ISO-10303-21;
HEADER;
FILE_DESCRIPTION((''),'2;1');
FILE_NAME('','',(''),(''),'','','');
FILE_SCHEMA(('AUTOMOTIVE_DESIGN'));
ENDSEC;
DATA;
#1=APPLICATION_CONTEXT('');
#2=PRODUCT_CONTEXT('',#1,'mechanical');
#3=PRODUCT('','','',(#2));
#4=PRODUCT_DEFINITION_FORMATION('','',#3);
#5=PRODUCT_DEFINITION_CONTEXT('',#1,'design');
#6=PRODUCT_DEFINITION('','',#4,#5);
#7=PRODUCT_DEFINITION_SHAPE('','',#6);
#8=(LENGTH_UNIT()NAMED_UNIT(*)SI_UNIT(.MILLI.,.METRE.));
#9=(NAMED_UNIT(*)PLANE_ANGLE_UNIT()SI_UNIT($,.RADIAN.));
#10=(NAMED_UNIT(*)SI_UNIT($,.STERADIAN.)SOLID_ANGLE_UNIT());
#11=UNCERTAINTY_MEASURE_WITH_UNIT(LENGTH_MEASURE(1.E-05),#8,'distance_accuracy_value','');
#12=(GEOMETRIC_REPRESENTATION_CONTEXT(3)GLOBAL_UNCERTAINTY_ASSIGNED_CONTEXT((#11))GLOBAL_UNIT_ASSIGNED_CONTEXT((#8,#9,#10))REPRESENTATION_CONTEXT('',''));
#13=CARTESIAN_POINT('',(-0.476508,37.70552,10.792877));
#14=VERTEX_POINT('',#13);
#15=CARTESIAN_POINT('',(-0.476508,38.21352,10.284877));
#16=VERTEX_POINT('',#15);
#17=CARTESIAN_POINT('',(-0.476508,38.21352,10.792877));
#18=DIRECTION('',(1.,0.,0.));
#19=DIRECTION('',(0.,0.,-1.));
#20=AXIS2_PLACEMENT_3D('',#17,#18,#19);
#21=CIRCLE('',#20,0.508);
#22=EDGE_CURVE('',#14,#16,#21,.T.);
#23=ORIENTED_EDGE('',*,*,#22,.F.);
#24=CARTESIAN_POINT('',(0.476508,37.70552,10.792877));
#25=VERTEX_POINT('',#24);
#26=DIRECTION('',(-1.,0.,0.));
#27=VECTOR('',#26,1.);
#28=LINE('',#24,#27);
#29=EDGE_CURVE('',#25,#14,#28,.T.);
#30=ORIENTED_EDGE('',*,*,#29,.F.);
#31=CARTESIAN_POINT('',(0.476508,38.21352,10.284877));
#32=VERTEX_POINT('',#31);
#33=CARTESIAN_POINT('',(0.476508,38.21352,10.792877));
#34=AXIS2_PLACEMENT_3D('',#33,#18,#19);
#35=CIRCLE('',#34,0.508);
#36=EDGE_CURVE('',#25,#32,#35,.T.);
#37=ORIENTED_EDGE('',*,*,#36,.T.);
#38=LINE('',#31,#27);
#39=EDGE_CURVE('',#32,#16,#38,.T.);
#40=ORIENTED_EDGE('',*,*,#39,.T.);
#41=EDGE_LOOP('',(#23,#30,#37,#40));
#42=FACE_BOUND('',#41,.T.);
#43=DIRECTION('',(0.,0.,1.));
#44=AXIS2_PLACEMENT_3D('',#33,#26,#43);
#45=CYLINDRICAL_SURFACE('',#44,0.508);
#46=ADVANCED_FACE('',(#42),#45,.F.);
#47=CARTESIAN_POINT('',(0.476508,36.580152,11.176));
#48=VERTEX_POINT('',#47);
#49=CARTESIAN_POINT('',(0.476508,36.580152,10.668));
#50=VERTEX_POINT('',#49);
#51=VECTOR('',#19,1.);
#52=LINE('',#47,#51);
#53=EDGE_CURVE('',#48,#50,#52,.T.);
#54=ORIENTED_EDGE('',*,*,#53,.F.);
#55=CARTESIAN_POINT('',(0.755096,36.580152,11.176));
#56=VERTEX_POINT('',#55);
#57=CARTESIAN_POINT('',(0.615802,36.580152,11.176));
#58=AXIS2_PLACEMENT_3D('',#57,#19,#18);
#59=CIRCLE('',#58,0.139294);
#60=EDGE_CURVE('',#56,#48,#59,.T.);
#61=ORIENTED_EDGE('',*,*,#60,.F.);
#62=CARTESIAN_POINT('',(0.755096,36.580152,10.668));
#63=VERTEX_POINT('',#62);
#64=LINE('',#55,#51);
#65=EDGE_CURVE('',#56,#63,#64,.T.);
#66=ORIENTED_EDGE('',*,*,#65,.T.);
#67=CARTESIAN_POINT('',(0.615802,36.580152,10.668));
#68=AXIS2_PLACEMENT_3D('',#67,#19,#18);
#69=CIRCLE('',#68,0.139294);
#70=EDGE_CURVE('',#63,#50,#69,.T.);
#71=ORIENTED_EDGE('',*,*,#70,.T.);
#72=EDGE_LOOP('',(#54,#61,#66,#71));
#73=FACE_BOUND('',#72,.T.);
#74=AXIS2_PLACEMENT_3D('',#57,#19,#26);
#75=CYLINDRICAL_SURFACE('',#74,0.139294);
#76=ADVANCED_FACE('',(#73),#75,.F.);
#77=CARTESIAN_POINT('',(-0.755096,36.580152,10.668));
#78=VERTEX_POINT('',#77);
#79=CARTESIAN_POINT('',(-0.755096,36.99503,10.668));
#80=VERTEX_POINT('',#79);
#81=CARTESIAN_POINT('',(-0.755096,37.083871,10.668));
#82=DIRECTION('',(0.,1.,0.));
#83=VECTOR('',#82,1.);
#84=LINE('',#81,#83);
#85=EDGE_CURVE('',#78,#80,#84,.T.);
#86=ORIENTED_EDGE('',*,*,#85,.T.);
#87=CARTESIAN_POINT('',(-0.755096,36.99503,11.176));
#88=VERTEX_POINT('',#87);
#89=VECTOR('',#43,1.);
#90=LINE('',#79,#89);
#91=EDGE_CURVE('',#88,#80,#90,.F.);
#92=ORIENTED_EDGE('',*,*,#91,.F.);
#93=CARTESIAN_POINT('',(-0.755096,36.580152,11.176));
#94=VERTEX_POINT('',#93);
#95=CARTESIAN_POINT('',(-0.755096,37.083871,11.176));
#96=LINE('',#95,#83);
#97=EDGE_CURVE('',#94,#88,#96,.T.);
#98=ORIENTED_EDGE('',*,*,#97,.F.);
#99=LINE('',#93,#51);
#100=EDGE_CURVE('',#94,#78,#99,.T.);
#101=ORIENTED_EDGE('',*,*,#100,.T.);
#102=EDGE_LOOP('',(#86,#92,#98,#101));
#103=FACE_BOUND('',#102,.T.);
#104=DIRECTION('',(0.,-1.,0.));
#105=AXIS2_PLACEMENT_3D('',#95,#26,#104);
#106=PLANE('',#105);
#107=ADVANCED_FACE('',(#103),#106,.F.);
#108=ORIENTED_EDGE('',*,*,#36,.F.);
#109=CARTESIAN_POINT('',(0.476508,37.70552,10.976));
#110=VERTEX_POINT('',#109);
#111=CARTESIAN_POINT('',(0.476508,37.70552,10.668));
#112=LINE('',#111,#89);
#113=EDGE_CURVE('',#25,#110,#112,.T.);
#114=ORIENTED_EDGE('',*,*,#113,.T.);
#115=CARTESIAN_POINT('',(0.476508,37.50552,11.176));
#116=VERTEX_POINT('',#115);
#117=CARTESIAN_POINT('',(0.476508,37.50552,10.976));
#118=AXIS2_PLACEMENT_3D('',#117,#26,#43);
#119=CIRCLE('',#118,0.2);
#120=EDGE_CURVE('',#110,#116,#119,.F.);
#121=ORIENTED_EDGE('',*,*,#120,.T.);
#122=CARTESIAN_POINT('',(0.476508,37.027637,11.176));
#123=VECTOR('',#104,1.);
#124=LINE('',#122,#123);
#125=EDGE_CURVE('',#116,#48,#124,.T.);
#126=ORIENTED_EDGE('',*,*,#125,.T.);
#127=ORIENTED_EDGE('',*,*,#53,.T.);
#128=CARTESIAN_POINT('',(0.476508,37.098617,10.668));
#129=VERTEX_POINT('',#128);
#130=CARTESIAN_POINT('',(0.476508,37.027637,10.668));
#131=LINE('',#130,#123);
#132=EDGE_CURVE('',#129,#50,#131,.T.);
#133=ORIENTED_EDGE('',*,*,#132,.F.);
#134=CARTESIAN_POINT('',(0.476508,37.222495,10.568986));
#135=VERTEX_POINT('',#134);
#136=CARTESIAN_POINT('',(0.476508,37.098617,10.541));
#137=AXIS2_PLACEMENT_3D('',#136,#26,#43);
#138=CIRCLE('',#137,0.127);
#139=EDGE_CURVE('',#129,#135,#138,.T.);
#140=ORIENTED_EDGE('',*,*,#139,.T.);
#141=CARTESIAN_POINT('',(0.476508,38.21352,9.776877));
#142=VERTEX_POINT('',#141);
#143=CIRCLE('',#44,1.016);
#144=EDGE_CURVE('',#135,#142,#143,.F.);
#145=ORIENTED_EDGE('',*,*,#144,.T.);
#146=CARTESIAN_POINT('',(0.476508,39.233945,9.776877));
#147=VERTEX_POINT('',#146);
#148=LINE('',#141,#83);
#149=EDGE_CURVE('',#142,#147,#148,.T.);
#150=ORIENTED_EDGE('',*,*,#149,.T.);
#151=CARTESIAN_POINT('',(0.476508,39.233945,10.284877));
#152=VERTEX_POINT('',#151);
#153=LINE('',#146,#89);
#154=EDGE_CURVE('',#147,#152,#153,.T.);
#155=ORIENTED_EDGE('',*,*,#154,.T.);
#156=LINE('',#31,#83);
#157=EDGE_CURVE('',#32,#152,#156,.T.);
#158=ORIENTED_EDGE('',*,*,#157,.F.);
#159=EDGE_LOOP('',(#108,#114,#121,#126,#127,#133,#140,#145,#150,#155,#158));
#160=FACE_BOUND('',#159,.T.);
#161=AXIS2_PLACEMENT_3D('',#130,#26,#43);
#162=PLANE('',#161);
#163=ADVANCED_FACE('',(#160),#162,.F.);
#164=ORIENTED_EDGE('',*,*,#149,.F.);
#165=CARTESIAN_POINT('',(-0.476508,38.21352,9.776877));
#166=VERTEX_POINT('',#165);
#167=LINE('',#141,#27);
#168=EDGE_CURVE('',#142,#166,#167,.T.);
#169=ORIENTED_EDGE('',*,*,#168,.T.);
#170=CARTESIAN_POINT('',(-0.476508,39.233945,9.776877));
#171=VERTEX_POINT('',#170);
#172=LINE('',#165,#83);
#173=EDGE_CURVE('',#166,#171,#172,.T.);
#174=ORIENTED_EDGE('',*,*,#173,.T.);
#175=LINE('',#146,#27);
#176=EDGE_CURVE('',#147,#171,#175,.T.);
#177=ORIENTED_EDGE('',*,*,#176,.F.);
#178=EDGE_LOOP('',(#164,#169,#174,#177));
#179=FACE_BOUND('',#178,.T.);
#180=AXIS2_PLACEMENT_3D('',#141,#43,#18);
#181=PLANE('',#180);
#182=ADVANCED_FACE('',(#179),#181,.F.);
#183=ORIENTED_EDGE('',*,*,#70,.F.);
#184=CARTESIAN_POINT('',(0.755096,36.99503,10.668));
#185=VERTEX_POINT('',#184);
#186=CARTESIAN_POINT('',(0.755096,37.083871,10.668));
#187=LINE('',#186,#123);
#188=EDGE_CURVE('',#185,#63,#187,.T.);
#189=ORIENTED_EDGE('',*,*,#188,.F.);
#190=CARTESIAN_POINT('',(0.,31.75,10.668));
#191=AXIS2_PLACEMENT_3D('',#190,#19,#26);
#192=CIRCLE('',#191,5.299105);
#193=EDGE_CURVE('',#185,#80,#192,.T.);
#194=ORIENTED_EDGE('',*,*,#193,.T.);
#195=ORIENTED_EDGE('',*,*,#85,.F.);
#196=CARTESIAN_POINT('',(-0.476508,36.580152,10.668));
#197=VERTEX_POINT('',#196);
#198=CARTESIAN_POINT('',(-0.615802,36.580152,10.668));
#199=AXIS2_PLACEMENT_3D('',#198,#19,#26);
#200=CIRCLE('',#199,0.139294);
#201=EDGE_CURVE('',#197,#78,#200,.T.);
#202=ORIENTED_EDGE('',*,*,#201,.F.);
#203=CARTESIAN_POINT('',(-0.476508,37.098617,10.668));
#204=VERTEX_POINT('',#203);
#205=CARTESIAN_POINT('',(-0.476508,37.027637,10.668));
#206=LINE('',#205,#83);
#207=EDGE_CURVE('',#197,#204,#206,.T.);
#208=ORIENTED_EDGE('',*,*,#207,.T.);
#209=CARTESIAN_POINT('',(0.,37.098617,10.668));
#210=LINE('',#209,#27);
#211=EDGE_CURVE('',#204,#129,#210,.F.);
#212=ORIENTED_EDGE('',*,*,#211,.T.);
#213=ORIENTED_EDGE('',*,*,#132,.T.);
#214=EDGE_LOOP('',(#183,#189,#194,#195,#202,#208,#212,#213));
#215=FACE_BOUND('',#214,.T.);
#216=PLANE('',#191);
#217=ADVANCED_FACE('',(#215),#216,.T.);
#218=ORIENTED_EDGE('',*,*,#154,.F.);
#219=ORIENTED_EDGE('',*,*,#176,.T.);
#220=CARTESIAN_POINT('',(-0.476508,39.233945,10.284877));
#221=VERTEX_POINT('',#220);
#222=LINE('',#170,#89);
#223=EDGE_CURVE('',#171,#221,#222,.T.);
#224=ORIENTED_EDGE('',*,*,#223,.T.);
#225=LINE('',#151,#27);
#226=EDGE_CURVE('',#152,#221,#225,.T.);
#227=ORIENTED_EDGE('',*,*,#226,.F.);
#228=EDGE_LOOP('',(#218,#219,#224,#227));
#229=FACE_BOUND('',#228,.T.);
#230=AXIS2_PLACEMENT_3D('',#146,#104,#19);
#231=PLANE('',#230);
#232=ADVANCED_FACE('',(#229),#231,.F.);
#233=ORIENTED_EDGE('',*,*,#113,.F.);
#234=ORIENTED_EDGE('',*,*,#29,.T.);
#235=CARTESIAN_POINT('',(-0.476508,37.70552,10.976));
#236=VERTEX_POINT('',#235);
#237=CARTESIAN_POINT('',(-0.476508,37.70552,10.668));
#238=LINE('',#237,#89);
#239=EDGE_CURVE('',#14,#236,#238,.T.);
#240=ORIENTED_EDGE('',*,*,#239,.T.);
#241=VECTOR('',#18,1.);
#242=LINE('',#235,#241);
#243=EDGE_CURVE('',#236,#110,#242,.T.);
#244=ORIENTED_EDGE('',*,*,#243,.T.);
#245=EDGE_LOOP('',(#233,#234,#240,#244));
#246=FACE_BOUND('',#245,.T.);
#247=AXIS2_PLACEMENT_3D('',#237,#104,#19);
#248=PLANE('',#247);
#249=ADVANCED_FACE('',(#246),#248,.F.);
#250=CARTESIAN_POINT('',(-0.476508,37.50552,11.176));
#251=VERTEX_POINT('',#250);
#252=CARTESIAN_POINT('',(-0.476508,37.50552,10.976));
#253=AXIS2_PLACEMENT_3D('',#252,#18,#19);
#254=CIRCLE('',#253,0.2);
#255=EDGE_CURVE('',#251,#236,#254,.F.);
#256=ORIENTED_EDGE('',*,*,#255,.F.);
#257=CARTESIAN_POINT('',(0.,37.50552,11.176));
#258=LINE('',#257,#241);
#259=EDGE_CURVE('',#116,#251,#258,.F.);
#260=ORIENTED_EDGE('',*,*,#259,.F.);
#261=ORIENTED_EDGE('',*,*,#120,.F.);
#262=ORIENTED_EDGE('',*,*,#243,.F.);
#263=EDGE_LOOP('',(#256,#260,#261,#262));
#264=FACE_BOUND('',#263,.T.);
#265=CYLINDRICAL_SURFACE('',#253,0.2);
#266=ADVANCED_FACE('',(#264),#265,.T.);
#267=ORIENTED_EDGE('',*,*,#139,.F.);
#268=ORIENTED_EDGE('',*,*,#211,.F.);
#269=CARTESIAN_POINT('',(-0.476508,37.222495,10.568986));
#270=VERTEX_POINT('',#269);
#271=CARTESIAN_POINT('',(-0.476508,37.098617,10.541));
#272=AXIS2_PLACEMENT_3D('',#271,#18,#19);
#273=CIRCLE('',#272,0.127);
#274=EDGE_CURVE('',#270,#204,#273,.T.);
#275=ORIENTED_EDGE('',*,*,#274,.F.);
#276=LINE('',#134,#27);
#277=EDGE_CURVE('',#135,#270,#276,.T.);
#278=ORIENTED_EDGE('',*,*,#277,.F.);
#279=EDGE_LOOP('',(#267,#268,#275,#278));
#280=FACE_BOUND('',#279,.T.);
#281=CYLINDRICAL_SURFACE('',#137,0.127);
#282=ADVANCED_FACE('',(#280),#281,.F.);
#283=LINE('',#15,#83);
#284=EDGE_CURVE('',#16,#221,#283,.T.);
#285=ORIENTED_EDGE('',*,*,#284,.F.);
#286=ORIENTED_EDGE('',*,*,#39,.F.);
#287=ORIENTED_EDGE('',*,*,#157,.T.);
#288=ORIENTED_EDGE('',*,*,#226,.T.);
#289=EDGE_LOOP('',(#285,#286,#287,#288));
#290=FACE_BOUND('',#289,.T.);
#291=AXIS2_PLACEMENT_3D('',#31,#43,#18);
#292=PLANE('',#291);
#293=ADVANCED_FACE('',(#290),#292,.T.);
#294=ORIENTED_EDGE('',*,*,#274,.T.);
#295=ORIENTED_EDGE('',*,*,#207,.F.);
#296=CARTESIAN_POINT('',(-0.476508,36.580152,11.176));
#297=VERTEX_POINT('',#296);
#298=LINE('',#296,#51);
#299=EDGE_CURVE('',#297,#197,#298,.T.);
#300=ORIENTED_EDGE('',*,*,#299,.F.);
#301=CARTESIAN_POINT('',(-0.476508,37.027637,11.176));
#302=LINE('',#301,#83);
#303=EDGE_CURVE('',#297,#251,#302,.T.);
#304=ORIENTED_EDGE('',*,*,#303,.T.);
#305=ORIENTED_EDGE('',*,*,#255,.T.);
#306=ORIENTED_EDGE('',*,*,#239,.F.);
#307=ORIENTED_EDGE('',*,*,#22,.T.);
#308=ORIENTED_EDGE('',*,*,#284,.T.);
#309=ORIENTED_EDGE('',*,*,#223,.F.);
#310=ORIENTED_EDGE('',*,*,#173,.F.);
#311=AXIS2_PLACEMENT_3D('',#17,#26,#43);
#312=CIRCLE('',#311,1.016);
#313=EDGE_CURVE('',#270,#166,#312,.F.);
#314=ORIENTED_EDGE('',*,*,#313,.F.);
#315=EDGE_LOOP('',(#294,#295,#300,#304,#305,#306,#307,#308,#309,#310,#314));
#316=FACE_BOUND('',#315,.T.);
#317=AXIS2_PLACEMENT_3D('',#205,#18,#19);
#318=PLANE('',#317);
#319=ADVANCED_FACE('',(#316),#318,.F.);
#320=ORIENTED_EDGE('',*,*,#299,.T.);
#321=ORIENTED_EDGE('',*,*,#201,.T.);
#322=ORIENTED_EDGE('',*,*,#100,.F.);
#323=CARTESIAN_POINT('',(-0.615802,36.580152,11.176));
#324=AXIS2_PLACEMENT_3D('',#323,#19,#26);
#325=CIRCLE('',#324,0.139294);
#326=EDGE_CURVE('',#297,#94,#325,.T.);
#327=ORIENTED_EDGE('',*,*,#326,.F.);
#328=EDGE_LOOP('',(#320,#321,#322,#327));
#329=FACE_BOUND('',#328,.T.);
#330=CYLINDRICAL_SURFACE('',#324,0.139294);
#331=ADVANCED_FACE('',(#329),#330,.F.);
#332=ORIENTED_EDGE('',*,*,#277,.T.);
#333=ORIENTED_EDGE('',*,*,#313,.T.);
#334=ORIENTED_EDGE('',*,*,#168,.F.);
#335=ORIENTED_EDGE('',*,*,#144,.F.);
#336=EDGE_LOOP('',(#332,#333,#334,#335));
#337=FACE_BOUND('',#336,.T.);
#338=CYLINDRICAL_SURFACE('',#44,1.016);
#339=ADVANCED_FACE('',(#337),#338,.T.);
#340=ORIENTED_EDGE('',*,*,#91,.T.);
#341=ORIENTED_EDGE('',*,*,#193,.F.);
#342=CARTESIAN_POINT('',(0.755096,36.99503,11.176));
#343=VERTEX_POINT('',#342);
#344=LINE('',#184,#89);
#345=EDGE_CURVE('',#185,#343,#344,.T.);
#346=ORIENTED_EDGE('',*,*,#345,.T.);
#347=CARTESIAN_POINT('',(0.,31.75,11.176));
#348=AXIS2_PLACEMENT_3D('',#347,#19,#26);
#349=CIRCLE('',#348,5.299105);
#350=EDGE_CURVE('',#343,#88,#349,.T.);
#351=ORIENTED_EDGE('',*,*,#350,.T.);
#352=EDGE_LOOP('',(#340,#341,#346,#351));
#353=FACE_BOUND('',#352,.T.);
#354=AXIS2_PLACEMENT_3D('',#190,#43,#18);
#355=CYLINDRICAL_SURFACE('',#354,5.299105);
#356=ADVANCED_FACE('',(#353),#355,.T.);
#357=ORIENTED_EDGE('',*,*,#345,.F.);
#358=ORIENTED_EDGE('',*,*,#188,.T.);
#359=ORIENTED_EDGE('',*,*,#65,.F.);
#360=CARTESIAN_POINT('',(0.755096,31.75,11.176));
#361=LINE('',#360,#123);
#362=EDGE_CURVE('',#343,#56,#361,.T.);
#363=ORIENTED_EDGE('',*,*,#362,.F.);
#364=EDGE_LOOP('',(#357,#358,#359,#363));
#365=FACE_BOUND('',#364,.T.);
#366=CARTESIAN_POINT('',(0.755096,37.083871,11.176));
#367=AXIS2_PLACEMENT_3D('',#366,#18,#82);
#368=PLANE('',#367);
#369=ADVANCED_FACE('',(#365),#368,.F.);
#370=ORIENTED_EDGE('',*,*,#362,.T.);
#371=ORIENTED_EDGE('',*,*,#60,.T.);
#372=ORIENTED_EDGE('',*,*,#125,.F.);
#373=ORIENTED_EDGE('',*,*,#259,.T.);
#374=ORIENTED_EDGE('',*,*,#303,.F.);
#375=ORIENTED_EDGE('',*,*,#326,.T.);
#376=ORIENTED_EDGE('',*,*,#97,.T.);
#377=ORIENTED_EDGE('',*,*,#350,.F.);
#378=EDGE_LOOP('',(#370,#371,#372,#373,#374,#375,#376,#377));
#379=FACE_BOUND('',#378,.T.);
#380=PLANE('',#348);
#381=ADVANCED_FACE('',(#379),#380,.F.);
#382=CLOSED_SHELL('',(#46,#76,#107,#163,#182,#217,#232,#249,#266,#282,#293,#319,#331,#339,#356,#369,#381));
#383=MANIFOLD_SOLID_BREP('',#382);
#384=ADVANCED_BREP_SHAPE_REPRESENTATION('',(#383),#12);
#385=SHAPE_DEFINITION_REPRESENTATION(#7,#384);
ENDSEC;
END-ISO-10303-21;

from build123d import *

# Parameters (mm, degrees)
BOSS_EXTRUDE1_DEPTH = 0.508
EXTRUDE_THIN1_DEPTH = 0.953015
FILLET1_R           = 0.127
FILLET3_R           = 0.2
CUT_EXTRUDE1_DEPTH  = 1.508


with BuildPart() as part:
    # Sketch2 → Boss-Extrude1 (new body)
    with BuildSketch(Plane(origin=(0, 0, 11.176), x_dir=(-1, 0, 0), z_dir=(0, 0, -1))):
        with BuildLine():
            Line((0.476507589, 37.02763682), (0.476507589, 37.705519621))
            Line((0.476507589, 37.705519621), (-0.476507589, 37.705519621))
            Line((-0.476507589, 37.705519621), (-0.476507589, 37.02763682))
            ThreePointArc((-0.476507589, 37.02763682), (0, 26.45089537), (0.476507589, 37.02763682))
        make_face()
    extrude(amount=BOSS_EXTRUDE1_DEPTH)

    # Sketch3 → Extrude-Thin1 (add)
    with BuildSketch(Plane.ZY.offset(0.476507589)):
        with BuildLine():
            Line((11.176, 37.705519621), (10.792876614, 37.705519621))
            ThreePointArc((10.792876614, 37.705519621), (10.433666369, 37.854309376), (10.284876614, 38.213519621))
            Line((10.284876614, 38.213519621), (10.284876614, 39.233944616))
            Line((10.284876614, 39.233944616), (9.776876614, 39.233944616))
            Line((9.776876614, 39.233944616), (9.776876614, 38.213519621))
            ThreePointArc((9.776876614, 38.213519621), (10.074456124, 37.495099131), (10.792876614, 37.197519621))
            Line((10.792876614, 37.197519621), (11.176, 37.197519621))
            Line((11.176, 37.197519621), (11.176, 37.705519621))
        make_face()
    extrude(amount=-EXTRUDE_THIN1_DEPTH)

    # Fillet1
    fillet1_edges = [part.edges().sort_by_distance(p)[0] for p in [
        (-4.5e-08, 37.205223121, 10.668),
    ]]
    fillet(fillet1_edges, radius=FILLET1_R)

    # Fillet3
    fillet3_edges = [part.edges().sort_by_distance(p)[0] for p in [
        (0, 37.705519621, 11.176),
    ]]
    fillet(fillet3_edges, radius=FILLET3_R)

    # Sketch4 → Cut-Extrude1 (cut, through all)
    with BuildSketch(Plane(origin=(0, 0, 10.668), x_dir=(-1, 0, 0), z_dir=(0, 0, -1))):
        with BuildLine():
            Line((0.755096408, 37.083870595), (0.755096408, 36.580152381))
            ThreePointArc((0.755096408, 36.580152381), (0.615801999, 36.440857972), (0.476507589, 36.580152381))
            Line((0.476507589, 36.580152381), (0.476507589, 37.083870595))
            ThreePointArc((0.476507589, 37.083870595), (0.615801999, 37.223165004), (0.755096408, 37.083870595))
        make_face()
        with BuildLine():
            Line((-0.755096408, 37.083870595), (-0.755096408, 36.580152381))
            ThreePointArc((-0.755096408, 36.580152381), (-0.615801999, 36.440857972), (-0.476507589, 36.580152381))
            Line((-0.476507589, 36.580152381), (-0.476507589, 37.083870595))
            ThreePointArc((-0.476507589, 37.083870595), (-0.615801999, 37.223165004), (-0.755096408, 37.083870595))
        make_face()
    extrude(amount=-CUT_EXTRUDE1_DEPTH, mode=Mode.SUBTRACT)


solid = part.part
